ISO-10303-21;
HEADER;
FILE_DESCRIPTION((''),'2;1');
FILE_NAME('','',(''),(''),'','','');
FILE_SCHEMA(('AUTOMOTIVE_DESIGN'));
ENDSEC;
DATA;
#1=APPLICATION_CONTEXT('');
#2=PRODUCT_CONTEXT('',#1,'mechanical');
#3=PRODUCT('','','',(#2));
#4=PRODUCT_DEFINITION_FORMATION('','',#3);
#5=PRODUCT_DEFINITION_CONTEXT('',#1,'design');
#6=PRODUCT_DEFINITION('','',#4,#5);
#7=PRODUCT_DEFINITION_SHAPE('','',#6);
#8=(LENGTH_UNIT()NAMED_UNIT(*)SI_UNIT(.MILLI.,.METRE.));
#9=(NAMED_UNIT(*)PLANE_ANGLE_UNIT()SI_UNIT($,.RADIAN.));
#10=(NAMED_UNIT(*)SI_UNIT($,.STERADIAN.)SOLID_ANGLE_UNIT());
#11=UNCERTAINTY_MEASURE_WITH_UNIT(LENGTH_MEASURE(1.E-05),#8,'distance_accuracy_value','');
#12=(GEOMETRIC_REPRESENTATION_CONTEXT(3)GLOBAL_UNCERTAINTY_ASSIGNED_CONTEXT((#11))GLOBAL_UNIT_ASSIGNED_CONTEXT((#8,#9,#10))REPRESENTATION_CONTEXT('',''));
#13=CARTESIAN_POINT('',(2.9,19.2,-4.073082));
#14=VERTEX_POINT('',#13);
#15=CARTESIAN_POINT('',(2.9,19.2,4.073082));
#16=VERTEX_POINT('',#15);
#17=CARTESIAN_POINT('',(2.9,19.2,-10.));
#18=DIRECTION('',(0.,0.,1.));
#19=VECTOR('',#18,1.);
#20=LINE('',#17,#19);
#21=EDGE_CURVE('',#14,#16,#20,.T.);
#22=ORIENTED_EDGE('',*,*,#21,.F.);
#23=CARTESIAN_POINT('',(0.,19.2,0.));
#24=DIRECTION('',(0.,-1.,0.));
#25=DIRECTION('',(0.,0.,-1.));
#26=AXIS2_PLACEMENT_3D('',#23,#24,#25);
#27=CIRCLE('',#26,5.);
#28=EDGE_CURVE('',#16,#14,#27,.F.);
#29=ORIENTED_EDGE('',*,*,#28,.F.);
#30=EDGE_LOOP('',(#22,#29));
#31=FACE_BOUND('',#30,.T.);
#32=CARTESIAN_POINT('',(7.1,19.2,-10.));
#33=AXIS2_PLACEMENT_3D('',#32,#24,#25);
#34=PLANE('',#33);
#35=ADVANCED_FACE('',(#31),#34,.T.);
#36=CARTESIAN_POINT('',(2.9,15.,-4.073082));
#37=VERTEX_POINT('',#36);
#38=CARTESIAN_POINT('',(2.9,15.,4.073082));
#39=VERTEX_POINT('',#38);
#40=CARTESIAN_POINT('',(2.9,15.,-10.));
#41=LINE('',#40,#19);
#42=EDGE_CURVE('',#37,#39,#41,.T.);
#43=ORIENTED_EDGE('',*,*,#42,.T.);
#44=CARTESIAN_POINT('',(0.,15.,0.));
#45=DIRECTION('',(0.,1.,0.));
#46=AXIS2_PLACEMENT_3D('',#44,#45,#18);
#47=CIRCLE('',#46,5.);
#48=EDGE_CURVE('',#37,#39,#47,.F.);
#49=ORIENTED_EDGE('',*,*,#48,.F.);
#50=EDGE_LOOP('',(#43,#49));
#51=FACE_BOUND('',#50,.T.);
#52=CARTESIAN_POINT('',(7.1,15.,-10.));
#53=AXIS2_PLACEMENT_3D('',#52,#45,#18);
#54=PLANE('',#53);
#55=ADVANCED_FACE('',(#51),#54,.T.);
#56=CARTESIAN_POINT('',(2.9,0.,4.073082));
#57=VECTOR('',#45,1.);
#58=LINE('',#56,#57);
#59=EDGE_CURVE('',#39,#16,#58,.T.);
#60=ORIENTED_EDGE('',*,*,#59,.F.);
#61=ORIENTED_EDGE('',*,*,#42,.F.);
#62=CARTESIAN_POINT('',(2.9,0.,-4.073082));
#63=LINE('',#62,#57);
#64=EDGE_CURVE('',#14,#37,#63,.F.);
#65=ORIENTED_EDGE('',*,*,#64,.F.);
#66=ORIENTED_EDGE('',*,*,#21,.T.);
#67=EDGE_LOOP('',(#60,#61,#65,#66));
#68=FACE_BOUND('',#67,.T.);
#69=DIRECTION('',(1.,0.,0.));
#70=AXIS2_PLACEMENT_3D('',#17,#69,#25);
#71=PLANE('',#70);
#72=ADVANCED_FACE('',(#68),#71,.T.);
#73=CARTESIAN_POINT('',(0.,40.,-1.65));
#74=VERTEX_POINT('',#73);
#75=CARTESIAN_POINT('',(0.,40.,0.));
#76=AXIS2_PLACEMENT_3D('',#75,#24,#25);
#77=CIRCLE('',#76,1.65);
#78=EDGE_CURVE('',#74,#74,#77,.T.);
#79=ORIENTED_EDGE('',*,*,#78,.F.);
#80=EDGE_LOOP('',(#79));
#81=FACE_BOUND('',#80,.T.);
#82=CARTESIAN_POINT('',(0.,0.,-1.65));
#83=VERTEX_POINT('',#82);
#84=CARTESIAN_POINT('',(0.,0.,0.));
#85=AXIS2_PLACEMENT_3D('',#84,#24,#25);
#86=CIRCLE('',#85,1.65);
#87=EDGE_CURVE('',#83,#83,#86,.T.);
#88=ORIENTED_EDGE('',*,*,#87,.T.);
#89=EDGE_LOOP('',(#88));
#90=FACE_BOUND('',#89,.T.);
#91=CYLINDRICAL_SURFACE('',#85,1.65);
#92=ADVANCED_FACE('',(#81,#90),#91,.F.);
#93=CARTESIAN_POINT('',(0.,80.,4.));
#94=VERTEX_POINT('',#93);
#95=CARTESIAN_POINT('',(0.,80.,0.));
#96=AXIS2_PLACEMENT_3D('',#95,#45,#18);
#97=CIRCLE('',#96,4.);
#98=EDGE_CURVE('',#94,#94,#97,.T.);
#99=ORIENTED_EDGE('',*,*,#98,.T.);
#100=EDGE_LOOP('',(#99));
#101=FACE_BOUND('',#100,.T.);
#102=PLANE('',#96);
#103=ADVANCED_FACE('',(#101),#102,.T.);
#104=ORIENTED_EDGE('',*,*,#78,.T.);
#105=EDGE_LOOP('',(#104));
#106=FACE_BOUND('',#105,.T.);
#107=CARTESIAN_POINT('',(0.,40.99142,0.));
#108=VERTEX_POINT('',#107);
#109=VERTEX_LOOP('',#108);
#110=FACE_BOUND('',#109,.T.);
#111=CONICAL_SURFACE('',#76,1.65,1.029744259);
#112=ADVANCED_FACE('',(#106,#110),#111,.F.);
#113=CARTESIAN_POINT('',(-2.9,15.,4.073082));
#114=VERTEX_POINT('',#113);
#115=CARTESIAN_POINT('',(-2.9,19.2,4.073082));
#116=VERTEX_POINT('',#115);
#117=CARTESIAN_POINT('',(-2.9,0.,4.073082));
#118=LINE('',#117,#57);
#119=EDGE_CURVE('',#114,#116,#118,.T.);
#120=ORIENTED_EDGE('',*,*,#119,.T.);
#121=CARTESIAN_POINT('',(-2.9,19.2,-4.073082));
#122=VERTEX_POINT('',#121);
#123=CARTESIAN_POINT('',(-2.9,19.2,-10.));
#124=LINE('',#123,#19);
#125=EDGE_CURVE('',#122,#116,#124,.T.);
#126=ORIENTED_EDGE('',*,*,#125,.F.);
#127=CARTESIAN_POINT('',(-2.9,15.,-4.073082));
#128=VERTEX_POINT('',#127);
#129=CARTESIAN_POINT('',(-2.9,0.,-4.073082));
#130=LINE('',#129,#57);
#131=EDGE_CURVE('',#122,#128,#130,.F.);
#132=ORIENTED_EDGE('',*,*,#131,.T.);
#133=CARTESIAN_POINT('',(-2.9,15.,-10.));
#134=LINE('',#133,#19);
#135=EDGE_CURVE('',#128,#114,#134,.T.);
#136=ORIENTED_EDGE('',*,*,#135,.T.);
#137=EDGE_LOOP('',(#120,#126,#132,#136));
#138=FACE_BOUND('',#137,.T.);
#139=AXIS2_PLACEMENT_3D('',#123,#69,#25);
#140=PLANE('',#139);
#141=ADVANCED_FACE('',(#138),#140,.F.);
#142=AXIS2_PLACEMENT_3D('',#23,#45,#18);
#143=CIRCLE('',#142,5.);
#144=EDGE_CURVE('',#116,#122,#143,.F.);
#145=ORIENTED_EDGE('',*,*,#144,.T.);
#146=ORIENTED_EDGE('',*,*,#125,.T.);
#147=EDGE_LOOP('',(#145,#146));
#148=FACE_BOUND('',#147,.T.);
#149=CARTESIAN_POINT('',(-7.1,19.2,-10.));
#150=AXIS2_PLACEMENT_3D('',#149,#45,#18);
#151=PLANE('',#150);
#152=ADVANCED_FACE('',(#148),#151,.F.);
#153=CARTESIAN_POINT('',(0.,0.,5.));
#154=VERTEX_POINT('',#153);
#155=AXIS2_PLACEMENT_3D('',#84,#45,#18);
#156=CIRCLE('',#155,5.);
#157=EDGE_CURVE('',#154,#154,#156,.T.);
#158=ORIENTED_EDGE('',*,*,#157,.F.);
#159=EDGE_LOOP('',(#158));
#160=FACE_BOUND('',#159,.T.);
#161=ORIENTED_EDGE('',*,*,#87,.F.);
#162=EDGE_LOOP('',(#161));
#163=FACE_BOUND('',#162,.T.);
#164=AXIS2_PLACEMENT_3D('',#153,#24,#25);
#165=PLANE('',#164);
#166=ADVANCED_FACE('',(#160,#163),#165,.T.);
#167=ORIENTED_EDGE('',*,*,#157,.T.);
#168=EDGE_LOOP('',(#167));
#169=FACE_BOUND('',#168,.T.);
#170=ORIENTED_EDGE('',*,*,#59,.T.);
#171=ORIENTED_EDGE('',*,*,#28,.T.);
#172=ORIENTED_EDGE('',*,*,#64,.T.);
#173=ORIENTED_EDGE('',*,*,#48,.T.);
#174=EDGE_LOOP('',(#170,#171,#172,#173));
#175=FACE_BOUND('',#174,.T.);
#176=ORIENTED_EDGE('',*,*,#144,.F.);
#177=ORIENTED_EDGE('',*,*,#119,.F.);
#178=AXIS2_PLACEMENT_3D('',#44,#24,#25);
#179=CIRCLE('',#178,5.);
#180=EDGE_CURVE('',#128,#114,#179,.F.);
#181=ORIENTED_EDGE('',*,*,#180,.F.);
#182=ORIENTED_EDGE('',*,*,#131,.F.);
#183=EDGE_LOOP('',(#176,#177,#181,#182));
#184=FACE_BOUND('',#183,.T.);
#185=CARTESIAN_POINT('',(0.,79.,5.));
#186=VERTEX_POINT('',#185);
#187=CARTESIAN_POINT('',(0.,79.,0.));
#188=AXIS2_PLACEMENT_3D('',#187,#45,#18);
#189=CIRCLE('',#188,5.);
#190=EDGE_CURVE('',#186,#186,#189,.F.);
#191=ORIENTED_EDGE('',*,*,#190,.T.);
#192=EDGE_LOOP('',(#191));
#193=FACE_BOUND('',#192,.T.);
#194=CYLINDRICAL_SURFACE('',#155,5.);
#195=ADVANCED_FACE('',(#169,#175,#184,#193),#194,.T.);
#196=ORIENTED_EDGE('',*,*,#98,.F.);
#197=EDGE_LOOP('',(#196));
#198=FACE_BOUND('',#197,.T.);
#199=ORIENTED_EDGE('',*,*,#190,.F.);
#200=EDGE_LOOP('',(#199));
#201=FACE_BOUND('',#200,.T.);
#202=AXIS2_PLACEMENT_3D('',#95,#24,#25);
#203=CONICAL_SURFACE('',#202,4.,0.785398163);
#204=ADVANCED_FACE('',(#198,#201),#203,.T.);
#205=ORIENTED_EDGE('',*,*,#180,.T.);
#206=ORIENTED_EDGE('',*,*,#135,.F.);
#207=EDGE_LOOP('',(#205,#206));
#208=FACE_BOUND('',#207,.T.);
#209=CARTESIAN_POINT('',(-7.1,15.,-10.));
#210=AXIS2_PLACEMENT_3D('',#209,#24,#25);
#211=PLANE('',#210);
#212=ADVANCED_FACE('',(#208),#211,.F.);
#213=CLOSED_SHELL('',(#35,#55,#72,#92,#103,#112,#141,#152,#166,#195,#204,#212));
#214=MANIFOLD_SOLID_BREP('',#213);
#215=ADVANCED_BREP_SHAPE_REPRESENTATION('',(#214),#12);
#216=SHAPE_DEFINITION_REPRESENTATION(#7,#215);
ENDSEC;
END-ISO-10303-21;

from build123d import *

# Parameters (mm, degrees)
SKIZZE1_W                       = 5
SKIZZE1_H                       = 80
M4_GEWINDEBOHRUNG1_D            = 3.3
M4_GEWINDEBOHRUNG1_DEPTH        = 40
M4_GEWINDEBOHRUNG1_TIP          = 0.991420021
SKIZZE5_W                       = 4.2
SKIZZE5_H                       = 4.2
SCHNITT_LINEAR_AUSTRAGEN1_DEPTH = 10
FASE1_SIZE                      = 1


with BuildPart() as part:
    # Skizze1 → Rotation1 (revolve)
    with BuildSketch(Plane(origin=(0, 0, 0), x_dir=(0, 0, -1), z_dir=(1, 0, 0))):
        with Locations((-2.5, 40)):
            Rectangle(SKIZZE1_W, SKIZZE1_H)
    revolve(axis=Axis((0, 0, 0), (0, -1, 0)))

    # M4 Gewindebohrung1
    with Locations(Plane(origin=(0, 0, 0), x_dir=(-1, 0, 0), z_dir=(0, -1, 0))):
        with Locations((0, 0)):
            Hole(M4_GEWINDEBOHRUNG1_D / 2, depth=M4_GEWINDEBOHRUNG1_DEPTH)
            with Locations((0, 0, -(M4_GEWINDEBOHRUNG1_DEPTH + M4_GEWINDEBOHRUNG1_TIP / 2))):  # 118° drill point
                Cone(0, M4_GEWINDEBOHRUNG1_D / 2, M4_GEWINDEBOHRUNG1_TIP, mode=Mode.SUBTRACT)

    # Skizze5 → Schnitt-Linear austragen1 (cut, symmetric)
    with BuildSketch(Plane.XY):
        with Locations((-5, 17.1)):
            Rectangle(SKIZZE5_W, SKIZZE5_H)
    schnitt_linear_austragen1 = extrude(amount=SCHNITT_LINEAR_AUSTRAGEN1_DEPTH, both=True, mode=Mode.SUBTRACT)

    # Spiegeln1: Schnitt-Linear austragen1 across plane
    add(schnitt_linear_austragen1.mirror(Plane(origin=(0, 0, 0), x_dir=(0, 0, 1), z_dir=(1, 0, 0))), mode=Mode.SUBTRACT)

    # Fase1
    fase1_edges = [part.edges().sort_by_distance(p)[0] for p in [
        (0, 80, -5),
    ]]
    chamfer(fase1_edges, length=FASE1_SIZE)


solid = part.part
